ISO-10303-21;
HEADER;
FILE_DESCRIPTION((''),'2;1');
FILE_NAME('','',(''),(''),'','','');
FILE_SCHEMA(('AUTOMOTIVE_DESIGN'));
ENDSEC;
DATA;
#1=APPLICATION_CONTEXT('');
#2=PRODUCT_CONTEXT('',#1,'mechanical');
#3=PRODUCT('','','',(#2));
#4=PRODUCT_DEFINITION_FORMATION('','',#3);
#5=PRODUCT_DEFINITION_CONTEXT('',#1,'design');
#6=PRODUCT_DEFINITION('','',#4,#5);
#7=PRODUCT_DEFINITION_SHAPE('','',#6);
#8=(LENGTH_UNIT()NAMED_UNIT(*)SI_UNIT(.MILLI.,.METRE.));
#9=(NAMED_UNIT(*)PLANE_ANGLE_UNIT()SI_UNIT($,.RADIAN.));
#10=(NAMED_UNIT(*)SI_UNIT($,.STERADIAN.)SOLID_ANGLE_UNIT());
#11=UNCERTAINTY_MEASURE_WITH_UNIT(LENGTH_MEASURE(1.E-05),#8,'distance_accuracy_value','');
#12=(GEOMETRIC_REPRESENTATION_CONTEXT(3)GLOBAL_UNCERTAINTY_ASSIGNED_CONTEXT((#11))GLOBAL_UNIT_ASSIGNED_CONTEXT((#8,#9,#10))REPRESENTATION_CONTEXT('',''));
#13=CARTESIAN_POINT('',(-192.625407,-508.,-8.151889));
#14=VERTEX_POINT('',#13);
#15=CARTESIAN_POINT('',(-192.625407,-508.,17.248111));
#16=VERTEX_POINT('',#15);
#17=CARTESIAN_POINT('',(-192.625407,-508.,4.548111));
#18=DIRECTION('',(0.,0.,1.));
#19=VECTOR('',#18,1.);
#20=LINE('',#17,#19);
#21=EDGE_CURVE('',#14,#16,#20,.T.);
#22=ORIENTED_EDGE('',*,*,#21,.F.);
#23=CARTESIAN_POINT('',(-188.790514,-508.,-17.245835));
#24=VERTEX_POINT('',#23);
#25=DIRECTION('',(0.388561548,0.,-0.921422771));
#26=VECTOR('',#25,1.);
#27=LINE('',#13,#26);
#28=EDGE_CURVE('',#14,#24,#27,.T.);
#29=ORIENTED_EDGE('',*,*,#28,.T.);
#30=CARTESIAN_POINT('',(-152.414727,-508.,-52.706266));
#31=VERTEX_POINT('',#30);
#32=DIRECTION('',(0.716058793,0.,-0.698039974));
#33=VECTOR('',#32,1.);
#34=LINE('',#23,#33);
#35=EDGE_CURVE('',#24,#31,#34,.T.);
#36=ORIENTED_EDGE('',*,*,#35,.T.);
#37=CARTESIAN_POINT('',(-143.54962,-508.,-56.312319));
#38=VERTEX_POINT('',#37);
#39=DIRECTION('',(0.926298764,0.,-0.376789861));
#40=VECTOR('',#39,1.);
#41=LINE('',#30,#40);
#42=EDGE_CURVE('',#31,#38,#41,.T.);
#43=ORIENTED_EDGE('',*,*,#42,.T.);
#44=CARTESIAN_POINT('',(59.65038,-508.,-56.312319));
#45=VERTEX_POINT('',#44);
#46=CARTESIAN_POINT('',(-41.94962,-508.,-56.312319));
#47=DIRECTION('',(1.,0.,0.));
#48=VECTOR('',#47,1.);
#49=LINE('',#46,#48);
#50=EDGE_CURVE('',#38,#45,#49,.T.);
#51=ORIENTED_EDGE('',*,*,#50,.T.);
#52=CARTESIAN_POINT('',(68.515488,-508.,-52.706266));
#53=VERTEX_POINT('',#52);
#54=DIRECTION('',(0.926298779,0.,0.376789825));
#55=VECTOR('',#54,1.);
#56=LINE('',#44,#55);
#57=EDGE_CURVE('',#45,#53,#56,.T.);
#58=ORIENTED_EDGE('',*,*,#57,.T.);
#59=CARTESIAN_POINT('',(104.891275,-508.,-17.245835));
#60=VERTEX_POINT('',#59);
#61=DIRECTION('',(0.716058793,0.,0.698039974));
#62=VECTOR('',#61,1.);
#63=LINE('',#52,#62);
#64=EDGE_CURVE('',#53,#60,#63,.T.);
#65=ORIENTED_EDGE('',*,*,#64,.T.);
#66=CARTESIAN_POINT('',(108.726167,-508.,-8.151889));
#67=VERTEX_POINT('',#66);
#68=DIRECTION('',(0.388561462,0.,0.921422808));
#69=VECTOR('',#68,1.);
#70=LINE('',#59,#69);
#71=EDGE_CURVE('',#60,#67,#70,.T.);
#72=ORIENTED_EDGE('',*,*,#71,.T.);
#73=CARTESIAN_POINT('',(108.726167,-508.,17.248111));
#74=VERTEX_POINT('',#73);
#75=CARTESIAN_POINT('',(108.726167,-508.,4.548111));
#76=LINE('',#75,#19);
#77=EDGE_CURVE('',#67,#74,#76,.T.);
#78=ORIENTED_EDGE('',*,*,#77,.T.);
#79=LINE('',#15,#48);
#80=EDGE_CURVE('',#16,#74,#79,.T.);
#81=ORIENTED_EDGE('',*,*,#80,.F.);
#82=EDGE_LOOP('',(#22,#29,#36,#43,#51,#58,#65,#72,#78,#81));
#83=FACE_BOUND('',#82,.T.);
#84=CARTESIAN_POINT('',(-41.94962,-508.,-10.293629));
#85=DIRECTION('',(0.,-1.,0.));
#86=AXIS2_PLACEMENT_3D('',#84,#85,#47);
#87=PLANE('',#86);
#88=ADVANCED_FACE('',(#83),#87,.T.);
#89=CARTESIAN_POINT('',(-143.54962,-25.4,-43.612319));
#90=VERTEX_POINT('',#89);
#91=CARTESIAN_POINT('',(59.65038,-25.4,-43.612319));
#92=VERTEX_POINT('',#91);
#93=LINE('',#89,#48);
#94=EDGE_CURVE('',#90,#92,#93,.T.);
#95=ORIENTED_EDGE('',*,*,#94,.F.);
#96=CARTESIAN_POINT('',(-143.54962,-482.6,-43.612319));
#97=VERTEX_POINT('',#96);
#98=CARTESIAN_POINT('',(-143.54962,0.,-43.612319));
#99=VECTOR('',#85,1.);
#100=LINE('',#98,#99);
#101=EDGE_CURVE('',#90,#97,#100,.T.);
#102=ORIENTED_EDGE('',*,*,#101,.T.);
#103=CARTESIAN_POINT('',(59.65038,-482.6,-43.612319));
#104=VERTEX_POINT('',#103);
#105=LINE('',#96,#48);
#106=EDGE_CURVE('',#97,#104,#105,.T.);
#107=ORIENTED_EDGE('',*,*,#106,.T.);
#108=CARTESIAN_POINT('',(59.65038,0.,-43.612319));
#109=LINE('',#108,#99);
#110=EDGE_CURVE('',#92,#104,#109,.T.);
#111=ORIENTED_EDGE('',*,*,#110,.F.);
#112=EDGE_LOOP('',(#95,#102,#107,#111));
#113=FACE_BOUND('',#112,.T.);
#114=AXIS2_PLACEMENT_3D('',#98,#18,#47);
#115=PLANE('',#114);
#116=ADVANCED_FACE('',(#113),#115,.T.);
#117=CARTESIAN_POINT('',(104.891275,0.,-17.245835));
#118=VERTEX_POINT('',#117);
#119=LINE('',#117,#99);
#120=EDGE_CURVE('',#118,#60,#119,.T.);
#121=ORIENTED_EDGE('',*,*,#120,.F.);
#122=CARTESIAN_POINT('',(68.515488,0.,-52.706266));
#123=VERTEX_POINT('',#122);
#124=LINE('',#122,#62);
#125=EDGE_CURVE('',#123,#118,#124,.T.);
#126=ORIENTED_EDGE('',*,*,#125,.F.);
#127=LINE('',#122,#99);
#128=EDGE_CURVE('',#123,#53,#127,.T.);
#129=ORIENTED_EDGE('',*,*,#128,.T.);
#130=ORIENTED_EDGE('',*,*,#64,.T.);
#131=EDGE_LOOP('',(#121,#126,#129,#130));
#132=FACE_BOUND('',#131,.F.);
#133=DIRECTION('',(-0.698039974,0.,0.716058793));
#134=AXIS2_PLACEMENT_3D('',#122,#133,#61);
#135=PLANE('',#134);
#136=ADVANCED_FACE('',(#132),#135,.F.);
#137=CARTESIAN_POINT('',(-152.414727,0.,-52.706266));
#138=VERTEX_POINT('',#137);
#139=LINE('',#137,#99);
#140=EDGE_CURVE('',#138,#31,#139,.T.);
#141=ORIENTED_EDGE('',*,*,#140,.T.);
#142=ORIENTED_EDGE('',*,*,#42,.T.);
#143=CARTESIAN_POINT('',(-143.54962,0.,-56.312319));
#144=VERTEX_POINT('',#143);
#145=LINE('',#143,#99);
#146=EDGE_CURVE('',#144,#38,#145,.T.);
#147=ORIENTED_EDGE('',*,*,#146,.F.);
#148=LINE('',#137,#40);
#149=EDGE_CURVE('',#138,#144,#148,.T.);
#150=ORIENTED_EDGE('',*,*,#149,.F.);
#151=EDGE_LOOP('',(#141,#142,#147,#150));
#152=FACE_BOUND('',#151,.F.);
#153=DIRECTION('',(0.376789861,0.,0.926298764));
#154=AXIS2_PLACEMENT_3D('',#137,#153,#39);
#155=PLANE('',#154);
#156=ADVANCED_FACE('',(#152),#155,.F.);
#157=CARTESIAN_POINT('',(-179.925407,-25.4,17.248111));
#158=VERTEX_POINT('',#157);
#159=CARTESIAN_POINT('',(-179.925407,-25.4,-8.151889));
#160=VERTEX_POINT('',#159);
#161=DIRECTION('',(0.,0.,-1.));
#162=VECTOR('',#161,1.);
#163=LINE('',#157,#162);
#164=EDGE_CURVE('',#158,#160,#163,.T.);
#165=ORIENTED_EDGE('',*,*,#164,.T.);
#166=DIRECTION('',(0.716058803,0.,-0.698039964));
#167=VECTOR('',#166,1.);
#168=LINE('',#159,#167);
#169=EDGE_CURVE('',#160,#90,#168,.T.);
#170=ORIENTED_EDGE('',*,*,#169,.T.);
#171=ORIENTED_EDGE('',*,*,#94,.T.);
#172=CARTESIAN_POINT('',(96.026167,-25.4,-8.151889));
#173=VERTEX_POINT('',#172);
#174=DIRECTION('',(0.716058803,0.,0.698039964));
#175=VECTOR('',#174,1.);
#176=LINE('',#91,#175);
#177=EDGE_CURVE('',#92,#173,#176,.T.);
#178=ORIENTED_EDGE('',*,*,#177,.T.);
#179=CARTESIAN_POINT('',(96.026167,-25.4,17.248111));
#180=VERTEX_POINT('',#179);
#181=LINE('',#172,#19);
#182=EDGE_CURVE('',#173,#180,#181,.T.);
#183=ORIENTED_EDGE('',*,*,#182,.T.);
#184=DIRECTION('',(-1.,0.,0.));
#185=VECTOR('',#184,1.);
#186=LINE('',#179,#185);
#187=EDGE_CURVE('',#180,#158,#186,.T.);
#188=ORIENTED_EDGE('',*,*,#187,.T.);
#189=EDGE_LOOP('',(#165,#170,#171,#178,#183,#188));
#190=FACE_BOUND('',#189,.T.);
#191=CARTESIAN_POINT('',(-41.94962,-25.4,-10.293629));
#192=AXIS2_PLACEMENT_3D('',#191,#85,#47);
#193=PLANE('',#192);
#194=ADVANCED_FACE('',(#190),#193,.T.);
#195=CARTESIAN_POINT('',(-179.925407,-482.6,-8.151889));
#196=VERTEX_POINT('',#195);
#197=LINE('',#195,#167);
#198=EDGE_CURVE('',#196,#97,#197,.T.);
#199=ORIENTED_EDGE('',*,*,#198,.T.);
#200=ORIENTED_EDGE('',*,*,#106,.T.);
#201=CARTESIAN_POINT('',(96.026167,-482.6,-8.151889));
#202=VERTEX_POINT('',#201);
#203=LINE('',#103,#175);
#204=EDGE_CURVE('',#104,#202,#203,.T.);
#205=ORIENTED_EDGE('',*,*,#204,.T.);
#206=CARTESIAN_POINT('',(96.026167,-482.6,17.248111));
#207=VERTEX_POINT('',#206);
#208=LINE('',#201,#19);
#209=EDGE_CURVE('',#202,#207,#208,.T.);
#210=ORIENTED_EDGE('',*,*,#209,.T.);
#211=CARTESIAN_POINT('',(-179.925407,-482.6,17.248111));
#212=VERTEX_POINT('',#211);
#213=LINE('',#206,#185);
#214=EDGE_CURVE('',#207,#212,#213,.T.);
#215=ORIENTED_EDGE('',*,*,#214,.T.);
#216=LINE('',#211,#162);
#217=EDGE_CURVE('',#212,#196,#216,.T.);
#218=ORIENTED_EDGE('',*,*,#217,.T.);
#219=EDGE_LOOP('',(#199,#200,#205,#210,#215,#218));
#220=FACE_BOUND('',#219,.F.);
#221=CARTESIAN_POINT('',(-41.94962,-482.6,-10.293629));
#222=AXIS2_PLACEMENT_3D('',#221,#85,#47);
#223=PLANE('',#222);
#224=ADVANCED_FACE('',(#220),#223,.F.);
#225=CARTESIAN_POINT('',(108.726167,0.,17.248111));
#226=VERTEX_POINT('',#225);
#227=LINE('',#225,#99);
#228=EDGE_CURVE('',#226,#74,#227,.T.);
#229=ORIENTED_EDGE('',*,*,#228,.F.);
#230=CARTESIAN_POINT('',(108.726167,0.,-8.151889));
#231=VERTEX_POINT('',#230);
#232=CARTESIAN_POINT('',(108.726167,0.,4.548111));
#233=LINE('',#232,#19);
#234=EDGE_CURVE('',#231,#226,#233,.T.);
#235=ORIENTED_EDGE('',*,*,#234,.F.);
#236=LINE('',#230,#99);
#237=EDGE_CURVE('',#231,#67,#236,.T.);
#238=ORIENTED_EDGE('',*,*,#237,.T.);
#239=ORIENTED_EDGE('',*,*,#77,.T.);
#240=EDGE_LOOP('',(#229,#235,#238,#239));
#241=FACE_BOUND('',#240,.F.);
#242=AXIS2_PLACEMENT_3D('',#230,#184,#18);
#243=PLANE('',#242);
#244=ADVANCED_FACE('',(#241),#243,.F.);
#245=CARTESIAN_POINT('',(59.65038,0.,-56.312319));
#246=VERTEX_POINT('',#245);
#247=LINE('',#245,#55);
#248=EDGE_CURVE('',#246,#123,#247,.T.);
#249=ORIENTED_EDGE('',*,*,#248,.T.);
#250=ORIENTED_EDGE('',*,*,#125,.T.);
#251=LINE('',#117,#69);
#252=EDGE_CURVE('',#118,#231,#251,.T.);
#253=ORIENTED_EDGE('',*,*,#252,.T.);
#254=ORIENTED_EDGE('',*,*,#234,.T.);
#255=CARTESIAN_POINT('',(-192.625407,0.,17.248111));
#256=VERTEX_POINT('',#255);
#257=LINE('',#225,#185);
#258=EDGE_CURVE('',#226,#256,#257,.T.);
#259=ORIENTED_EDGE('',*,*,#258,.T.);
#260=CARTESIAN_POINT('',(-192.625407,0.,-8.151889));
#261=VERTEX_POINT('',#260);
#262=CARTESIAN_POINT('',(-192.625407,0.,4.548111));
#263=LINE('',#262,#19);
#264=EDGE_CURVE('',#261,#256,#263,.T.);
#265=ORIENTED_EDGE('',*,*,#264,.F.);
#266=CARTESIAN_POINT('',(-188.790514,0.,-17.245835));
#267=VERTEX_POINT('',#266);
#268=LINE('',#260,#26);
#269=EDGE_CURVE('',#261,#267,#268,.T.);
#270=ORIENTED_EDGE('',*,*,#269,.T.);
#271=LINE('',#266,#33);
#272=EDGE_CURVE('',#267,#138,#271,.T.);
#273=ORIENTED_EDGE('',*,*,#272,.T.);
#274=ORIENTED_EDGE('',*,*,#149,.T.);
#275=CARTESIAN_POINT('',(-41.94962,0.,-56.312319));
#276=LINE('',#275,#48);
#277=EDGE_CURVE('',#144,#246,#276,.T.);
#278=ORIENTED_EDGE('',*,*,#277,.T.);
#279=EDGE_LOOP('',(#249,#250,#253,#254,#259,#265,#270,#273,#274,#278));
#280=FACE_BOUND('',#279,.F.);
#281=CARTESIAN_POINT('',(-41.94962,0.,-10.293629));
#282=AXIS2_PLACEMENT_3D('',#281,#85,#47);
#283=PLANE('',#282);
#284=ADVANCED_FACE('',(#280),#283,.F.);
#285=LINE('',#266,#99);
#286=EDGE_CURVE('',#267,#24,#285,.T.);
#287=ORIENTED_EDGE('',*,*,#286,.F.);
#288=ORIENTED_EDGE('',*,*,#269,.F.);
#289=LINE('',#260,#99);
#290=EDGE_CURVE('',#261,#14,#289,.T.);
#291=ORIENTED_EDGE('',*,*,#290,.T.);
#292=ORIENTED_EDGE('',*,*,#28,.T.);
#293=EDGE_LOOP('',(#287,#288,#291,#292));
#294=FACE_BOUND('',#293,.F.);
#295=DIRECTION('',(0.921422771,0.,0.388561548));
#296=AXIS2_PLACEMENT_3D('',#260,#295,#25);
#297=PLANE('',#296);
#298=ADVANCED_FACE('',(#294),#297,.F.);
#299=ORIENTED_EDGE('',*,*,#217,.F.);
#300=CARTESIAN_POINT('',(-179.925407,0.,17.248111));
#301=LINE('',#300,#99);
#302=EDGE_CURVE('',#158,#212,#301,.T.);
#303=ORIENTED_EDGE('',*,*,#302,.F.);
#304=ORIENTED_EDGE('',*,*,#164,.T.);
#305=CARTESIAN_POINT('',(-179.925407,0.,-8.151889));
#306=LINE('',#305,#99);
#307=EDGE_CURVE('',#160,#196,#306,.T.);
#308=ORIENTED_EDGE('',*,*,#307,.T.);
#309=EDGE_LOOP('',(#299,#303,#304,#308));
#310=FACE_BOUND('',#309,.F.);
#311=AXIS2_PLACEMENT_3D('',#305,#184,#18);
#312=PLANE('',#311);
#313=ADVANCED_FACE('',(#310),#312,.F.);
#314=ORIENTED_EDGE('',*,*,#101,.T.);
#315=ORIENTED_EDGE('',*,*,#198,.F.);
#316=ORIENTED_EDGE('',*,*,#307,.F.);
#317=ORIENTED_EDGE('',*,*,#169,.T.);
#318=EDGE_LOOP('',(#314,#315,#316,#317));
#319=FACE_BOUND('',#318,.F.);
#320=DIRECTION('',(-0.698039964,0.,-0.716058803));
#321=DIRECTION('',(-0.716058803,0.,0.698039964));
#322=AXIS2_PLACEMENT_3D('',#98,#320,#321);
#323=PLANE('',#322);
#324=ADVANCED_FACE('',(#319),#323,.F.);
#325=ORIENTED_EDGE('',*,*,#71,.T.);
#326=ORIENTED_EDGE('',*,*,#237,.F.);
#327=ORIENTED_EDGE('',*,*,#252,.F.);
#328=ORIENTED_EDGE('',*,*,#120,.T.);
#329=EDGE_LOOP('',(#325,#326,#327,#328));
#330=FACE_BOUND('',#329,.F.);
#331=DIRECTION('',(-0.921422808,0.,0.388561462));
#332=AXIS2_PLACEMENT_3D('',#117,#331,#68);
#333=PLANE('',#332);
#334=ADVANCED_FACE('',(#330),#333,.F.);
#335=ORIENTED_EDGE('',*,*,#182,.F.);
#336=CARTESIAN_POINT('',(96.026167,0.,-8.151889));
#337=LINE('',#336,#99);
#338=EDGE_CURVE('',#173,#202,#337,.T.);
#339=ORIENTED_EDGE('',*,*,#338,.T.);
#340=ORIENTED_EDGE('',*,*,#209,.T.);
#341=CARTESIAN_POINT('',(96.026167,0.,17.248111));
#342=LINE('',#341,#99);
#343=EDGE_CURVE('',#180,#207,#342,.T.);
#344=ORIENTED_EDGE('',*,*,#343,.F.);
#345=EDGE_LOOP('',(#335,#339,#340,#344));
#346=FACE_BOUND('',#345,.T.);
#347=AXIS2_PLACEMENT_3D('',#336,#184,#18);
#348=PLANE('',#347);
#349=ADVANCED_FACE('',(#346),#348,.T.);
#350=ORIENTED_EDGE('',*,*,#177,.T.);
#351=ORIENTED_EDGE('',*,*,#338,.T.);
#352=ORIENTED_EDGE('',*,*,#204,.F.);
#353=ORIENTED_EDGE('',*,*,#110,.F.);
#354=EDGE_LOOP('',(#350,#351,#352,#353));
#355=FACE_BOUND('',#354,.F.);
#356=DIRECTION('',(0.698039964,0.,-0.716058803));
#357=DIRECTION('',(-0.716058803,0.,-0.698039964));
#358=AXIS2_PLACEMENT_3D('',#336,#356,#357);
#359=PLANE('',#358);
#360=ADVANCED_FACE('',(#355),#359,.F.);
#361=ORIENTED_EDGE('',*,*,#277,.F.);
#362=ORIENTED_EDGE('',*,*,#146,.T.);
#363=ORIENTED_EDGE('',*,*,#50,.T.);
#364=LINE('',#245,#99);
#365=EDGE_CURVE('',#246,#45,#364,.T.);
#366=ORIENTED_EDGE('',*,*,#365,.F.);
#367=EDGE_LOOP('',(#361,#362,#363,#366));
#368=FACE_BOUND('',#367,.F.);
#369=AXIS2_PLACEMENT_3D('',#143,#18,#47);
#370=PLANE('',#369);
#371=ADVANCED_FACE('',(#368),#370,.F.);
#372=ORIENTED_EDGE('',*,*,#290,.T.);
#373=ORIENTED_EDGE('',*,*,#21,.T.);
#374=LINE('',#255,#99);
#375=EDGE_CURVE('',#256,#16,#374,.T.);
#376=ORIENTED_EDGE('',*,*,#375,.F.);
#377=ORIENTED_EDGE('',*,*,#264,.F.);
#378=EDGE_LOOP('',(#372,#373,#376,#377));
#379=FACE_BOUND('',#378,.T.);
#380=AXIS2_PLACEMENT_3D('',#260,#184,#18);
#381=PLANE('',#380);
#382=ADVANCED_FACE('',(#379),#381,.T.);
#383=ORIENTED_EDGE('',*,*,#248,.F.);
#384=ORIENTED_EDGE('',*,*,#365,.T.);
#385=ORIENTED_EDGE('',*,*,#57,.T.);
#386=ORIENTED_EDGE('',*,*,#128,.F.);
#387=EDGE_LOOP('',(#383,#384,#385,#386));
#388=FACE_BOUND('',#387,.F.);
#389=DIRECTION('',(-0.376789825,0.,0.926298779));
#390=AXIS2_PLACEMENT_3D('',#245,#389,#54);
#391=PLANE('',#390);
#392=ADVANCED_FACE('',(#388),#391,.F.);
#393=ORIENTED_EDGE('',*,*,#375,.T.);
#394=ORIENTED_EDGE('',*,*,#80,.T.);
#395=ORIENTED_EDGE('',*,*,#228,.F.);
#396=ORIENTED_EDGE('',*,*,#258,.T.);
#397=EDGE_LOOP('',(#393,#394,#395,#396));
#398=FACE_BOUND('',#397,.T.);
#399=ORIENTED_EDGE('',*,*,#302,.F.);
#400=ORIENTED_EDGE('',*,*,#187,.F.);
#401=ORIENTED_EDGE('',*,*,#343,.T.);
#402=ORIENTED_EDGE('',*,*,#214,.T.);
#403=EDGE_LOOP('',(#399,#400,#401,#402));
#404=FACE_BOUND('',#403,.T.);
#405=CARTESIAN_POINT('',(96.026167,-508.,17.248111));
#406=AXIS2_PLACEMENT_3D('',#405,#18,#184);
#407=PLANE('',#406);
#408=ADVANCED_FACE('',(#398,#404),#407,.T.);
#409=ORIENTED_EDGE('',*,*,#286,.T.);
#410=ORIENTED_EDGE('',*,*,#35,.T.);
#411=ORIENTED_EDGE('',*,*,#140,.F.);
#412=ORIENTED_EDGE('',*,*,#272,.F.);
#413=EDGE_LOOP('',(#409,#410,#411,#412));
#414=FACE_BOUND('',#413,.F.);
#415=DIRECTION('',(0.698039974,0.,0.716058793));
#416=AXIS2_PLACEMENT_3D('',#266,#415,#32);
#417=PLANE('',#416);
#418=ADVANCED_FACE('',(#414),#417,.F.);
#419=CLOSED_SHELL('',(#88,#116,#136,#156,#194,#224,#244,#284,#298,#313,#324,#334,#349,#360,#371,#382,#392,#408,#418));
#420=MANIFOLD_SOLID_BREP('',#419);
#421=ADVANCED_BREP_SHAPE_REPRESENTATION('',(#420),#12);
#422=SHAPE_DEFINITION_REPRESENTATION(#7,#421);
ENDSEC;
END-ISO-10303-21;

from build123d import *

# Parameters (mm, degrees)
F0_W     = 12.7
F0_H     = 25.4
F0_W_2   = 203.2
F0_H_2   = 12.7
F1_DEPTH = 508
F3_DEPTH = 25.4
F5_DEPTH = 25.4


with BuildPart() as f1:
    # F0 (on Front) → F1 (new body)
    with BuildSketch(Plane.XZ):
        with Locations((102.376167, 4.548111)):
            Rectangle(F0_W, F0_H)
        Polygon((104.891275, -17.245835), (96.026167, -8.151889), (59.65038, -43.612319), (68.515488, -52.706266), align=None)
        Polygon((108.726167, -8.151889), (96.026167, -8.151889), (104.891275, -17.245835), align=None)
        with Locations((-41.94962, -49.962319)):
            Rectangle(F0_W_2, F0_H_2)
        Polygon((68.515488, -52.706266), (59.65038, -43.612319), (59.65038, -56.312319), align=None)
        Polygon((-152.414727, -52.706266), (-143.54962, -43.612319), (-179.925407, -8.151889), (-188.790514, -17.245835), align=None)
        Polygon((-143.54962, -56.312319), (-143.54962, -43.612319), (-152.414727, -52.706266), align=None)
        with Locations((-186.275407, 4.548111)):
            Rectangle(F0_W, F0_H)
        Polygon((-188.790514, -17.245835), (-179.925407, -8.151889), (-192.625407, -8.151889), align=None)
    extrude(amount=F1_DEPTH)

    # F2 (on Front) → F3 (join)
    with BuildSketch(Plane.XZ):
        Polygon((96.026167, 17.248111), (-179.925407, 17.248111), (-179.925407, -8.151889), (-143.54962, -43.612319), (59.65038, -43.612319), (96.026167, -8.151889), align=None)
    extrude(amount=F3_DEPTH)

    # F4 (on face) → F5 (join)
    with BuildSketch(Plane.XZ.offset(508)):
        Polygon((96.026167, 17.248111), (-179.925407, 17.248111), (-179.925407, -8.151889), (-143.54962, -43.612319), (59.65038, -43.612319), (96.026167, -8.151889), align=None)
    extrude(amount=-F5_DEPTH)


solid = f1.part
